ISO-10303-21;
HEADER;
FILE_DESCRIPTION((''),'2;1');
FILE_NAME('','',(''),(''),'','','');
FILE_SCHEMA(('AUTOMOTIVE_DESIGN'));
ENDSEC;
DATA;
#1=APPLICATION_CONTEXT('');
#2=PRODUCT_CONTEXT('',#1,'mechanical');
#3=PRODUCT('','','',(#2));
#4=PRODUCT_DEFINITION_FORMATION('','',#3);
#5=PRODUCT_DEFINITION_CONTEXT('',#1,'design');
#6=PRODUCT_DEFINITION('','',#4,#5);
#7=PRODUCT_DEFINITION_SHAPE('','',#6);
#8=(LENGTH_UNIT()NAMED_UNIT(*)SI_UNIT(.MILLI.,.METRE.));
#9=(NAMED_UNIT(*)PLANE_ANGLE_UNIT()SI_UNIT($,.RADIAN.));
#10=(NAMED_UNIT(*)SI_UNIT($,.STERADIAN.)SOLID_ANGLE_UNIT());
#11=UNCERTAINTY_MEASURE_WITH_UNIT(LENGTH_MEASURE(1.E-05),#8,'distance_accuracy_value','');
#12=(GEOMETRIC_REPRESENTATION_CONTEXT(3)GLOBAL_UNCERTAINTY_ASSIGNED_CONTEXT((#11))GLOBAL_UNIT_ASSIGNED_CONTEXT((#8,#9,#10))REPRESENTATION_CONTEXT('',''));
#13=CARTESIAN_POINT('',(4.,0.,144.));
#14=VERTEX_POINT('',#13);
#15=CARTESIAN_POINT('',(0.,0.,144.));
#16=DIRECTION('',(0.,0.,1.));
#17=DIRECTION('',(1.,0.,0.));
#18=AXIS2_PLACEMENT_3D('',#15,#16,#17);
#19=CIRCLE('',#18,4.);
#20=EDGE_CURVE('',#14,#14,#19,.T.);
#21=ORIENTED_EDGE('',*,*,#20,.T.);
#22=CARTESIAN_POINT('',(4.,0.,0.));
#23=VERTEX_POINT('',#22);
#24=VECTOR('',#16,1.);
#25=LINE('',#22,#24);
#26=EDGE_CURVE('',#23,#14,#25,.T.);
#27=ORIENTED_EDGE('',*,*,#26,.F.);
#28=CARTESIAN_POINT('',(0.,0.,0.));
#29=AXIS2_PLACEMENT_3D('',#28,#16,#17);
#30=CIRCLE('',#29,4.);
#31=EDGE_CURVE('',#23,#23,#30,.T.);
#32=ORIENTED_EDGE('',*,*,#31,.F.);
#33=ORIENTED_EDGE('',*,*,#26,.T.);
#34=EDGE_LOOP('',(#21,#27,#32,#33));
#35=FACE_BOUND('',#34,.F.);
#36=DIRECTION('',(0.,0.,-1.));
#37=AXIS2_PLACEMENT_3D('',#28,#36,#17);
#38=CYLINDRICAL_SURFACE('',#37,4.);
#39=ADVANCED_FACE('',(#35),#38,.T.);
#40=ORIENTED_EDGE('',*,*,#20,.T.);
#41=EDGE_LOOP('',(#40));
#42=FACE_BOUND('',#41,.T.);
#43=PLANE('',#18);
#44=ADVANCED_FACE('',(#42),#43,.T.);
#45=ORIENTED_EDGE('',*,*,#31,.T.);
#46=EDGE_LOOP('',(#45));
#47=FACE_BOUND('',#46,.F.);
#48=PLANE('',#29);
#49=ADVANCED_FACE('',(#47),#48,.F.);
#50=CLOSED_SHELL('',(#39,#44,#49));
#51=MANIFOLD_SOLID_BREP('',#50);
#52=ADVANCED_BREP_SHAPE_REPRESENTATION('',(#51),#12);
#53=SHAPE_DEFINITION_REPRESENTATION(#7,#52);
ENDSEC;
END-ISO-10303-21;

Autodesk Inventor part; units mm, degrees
ref_plane "YZ Plane" through (0, 0, 0) normal (1, 0, 0) x (0, 1, 0)
ref_plane "XZ Plane" through (0, 0, 0) normal (0, 1, 0) x (-1, 0, 0)
ref_plane "XY Plane" through (0, 0, 0) normal (0, 0, 1) x (1, 0, 0)
sketch "Boceto1" plane through (0, 0, 0) normal (0, 0, 1) x (1, 0, 0)
  circle A0 centre (0, 0) radius 4
  dimension "d0" = 8
extrude "Extrusión1" add sketch "Boceto1" along normal blind 144
properties part number "EjeBase" material "Acero, alta resistencia, aleación baja"
